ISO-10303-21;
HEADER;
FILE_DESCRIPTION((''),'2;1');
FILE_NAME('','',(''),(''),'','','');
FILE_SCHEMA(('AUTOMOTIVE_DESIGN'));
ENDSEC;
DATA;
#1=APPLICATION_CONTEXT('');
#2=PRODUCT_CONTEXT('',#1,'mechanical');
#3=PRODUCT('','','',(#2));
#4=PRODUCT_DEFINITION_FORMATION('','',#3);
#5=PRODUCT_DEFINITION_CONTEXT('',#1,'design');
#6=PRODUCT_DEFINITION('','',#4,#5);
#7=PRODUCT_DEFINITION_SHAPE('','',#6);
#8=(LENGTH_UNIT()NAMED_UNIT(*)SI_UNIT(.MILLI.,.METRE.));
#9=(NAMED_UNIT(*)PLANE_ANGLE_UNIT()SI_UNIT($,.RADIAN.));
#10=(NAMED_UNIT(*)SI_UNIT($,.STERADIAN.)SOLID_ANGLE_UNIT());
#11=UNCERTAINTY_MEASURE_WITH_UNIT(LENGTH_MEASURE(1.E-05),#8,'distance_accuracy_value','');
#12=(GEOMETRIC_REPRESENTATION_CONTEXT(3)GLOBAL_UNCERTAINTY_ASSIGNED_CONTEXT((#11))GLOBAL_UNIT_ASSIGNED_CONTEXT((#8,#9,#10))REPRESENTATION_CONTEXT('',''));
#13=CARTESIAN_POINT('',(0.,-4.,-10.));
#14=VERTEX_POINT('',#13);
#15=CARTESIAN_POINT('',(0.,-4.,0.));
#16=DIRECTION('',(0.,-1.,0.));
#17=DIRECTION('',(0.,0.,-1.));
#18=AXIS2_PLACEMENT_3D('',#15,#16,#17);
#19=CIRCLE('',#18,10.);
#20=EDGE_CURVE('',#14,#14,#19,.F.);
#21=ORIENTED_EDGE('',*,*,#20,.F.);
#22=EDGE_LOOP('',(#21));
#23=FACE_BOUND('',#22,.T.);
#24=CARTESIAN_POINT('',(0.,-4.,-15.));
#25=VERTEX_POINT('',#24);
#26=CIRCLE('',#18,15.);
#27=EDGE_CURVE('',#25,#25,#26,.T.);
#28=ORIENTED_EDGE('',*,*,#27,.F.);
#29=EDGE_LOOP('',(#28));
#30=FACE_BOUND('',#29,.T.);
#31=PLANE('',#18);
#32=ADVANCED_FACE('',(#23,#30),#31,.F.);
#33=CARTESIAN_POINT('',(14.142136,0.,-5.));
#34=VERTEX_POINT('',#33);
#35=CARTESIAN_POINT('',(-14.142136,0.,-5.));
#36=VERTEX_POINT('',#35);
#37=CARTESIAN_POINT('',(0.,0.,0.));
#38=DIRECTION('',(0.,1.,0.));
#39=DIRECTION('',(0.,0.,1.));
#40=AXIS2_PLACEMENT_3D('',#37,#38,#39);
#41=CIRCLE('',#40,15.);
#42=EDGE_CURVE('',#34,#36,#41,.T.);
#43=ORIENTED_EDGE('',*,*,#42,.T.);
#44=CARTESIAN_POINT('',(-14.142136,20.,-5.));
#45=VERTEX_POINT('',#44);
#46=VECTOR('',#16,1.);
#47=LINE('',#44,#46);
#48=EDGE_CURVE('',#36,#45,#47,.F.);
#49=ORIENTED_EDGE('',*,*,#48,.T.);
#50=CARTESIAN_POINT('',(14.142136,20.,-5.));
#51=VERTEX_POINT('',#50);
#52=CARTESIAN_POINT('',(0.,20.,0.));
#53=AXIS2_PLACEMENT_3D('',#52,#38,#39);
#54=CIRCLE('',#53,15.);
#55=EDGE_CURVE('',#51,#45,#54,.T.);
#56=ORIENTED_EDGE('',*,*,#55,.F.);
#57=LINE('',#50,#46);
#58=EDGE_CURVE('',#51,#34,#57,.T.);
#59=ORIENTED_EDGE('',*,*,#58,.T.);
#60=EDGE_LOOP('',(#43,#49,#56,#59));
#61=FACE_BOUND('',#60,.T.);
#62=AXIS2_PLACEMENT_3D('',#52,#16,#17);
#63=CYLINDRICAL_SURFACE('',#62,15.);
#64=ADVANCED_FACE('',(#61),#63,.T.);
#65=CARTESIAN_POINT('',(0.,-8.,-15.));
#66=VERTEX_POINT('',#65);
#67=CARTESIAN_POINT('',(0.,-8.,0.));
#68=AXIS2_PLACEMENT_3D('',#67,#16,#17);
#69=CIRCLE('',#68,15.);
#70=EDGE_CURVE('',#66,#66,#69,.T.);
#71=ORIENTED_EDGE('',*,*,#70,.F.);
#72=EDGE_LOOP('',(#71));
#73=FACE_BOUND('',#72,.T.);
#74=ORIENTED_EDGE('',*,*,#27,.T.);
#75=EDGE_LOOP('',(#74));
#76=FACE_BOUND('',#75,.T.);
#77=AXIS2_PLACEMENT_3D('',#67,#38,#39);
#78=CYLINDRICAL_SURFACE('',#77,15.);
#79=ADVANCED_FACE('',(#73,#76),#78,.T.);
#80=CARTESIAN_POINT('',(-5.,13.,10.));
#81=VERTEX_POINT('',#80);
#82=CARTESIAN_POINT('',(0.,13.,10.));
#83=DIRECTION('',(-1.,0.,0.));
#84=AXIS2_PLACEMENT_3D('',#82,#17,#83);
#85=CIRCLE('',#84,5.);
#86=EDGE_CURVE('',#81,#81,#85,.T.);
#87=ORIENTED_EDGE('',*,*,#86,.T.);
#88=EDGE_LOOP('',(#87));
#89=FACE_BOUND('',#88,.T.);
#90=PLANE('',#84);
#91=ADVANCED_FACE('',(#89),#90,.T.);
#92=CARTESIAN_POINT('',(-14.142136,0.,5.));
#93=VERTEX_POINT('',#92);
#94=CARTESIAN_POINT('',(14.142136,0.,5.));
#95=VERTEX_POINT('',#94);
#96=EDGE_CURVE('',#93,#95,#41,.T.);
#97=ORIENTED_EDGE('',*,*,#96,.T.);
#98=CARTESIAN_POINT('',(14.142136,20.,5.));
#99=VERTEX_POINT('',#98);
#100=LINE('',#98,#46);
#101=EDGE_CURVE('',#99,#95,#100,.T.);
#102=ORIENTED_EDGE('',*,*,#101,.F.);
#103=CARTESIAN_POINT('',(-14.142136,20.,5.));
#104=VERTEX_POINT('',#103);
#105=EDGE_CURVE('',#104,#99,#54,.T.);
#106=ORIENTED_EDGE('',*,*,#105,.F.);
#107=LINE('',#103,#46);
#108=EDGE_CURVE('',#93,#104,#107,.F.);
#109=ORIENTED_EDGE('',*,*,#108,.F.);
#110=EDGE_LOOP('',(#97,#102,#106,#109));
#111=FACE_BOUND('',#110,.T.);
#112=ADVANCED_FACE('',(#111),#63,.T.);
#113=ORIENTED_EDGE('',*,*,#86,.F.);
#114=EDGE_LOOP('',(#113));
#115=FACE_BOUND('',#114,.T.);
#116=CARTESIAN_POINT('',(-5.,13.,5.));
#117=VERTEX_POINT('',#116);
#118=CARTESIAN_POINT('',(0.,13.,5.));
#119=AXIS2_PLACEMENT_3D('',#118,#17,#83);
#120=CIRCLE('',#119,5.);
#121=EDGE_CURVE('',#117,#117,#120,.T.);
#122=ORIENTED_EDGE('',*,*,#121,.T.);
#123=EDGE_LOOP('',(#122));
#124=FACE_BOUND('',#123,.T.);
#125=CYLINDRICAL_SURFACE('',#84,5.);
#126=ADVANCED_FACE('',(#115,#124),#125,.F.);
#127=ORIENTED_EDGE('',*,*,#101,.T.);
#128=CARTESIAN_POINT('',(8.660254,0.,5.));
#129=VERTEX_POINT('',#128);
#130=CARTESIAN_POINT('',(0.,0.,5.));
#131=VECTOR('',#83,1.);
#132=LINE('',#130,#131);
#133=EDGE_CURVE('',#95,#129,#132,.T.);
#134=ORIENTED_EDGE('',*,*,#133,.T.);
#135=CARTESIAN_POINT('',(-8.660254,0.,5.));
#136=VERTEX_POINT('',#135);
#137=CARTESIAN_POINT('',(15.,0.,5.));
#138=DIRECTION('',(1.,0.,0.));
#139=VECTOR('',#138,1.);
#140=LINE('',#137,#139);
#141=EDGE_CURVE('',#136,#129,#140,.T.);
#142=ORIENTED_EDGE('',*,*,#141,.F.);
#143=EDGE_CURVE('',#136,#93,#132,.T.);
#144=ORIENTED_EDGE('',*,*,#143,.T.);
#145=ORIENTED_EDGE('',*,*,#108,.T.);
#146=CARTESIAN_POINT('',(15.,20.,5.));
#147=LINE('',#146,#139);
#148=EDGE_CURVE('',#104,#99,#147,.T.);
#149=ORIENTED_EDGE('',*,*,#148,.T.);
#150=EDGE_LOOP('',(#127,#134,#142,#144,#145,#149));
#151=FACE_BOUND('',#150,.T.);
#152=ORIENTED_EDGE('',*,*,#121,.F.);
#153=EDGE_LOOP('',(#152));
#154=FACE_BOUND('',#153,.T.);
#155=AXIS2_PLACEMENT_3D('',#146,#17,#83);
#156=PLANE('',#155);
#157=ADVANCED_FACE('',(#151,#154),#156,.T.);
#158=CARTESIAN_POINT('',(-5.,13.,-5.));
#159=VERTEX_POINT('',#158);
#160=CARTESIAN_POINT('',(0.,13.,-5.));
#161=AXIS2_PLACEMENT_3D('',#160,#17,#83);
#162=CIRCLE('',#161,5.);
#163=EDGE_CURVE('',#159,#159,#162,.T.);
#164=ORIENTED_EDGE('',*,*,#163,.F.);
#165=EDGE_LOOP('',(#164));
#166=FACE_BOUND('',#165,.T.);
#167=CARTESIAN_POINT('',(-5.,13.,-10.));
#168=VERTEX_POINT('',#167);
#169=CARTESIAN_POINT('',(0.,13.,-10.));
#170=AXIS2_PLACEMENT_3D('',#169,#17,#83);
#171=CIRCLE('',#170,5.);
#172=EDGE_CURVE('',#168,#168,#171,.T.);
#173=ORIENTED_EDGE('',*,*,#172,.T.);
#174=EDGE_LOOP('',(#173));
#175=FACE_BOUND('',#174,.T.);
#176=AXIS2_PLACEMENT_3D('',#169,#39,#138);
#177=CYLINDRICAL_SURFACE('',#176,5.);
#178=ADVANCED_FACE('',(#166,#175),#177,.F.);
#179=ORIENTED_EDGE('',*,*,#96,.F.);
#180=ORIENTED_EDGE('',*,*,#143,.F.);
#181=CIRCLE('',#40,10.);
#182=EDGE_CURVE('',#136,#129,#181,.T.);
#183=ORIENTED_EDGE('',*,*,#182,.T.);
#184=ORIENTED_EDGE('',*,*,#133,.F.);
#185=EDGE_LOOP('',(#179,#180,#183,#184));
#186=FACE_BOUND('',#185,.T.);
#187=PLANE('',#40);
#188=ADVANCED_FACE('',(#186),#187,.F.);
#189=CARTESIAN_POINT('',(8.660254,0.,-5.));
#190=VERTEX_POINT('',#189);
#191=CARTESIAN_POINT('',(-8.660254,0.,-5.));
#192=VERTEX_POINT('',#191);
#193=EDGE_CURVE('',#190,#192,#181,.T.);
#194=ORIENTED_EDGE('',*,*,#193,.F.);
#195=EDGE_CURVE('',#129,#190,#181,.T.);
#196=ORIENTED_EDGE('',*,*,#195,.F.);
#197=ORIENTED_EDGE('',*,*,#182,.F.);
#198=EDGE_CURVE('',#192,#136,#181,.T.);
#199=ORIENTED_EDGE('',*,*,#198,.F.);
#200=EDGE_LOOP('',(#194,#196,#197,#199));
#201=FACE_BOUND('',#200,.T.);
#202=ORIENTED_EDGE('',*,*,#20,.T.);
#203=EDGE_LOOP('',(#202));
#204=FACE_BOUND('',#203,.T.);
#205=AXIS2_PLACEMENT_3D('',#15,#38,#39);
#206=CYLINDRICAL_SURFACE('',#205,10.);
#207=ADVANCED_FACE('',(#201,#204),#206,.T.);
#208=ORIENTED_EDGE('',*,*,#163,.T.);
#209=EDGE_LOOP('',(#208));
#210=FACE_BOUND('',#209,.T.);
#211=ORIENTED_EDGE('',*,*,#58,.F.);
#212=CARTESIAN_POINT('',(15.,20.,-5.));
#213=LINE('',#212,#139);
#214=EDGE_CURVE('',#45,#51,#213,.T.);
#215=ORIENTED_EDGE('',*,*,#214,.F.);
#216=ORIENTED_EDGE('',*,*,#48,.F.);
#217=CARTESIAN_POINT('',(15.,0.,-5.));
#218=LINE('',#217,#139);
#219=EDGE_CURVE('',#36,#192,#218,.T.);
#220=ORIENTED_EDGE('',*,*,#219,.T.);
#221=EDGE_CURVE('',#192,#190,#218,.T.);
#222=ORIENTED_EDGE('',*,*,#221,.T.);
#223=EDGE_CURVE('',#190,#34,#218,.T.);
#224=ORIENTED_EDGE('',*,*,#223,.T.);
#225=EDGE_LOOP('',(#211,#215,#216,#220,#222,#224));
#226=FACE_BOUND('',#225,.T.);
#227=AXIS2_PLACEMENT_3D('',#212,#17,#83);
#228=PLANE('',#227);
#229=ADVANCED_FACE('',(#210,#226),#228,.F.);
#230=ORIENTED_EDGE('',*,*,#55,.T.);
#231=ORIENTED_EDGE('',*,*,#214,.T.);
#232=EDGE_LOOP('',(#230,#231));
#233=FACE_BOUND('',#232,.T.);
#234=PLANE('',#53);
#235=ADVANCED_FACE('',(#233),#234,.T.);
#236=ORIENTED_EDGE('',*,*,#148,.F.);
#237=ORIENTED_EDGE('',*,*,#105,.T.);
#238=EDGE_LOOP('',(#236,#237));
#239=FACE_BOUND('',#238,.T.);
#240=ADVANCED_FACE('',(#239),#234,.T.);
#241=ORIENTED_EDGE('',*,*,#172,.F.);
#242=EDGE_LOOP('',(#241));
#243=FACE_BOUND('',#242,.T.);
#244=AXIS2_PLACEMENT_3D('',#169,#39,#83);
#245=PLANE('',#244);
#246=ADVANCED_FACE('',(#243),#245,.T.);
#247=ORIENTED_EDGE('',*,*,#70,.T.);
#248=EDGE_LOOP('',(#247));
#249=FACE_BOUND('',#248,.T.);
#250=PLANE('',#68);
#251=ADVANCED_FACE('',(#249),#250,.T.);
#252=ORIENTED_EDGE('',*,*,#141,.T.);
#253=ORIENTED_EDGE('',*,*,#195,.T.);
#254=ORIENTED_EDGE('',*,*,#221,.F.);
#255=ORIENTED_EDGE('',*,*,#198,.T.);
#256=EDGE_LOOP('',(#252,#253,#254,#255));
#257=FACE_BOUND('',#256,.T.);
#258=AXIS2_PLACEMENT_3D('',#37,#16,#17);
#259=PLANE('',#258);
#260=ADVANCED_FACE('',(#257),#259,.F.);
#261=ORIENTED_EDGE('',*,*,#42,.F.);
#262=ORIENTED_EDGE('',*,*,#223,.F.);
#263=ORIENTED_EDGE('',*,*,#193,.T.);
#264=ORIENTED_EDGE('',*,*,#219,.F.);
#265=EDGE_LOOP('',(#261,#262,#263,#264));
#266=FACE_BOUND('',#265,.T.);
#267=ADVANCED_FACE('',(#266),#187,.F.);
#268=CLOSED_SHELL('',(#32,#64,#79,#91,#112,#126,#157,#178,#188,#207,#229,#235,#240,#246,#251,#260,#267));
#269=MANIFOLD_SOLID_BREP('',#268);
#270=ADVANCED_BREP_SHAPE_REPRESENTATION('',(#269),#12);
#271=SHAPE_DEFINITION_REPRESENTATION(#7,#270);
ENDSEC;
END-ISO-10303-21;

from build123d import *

# Parameters (mm, degrees)
SKETCH1_R           = 10
BOSS_EXTRUDE1_DEPTH = 4
SKETCH2_R           = 15
BOSS_EXTRUDE2_DEPTH = 4
BOSS_EXTRUDE3_START = 20
SKETCH3_R           = 15
BOSS_EXTRUDE3_DEPTH = 20
SKETCH6_W           = 30
SKETCH6_H           = 5
CUT_EXTRUDE2_DEPTH  = 30.154759474
SKETCH7_R           = 5
CUT_EXTRUDE5_DEPTH  = 5


with BuildPart() as part:
    # Sketch1 → Boss-Extrude1 (new body)
    with BuildSketch(Plane(origin=(0, 0, 0), x_dir=(1, 0, 0), z_dir=(0, 1, 0))):
        with Locations(Location((0, 0, 0), (0, 0, 270))):
            Circle(SKETCH1_R)
    extrude(amount=-BOSS_EXTRUDE1_DEPTH)

    # Sketch2 → Boss-Extrude2 (add)
    with BuildSketch(Plane.XZ.offset(4)):
        with Locations(Location((0, 0, 0), (0, 0, 270))):
            Circle(SKETCH2_R)
    extrude(amount=BOSS_EXTRUDE2_DEPTH)

    # Sketch3 → Boss-Extrude3 (add)
    with BuildSketch(Plane(origin=(0, 0, 0), x_dir=(1, 0, 0), z_dir=(0, 1, 0)).offset(BOSS_EXTRUDE3_START)):
        with Locations(Location((0, 0, 0), (0, 0, 90))):
            Circle(SKETCH3_R)
    extrude(amount=-BOSS_EXTRUDE3_DEPTH)

    # Sketch6 → Cut-Extrude2 (cut, through all)
    with BuildSketch(Plane(origin=(0, 0, 0), x_dir=(1, 0, 0), z_dir=(0, 1, 0))):
        with Locations((0, -2.5)):
            Rectangle(SKETCH6_W, SKETCH6_H)
    cut_extrude2 = extrude(amount=CUT_EXTRUDE2_DEPTH, mode=Mode.SUBTRACT)

    # Sketch7 → Cut-Extrude5 (cut)
    with BuildSketch(Plane(origin=(0, 0, 5), x_dir=(-1, 0, 0), z_dir=(0, 0, -1))):
        with Locations((0, 13)):
            Circle(SKETCH7_R)
    cut_extrude5 = extrude(amount=-CUT_EXTRUDE5_DEPTH, mode=Mode.SUBTRACT)

    # Mirror1: Cut-Extrude2, Cut-Extrude5 across plane
    add(cut_extrude2.mirror(Plane.XY), mode=Mode.SUBTRACT)
    add(cut_extrude5.mirror(Plane.XY), mode=Mode.SUBTRACT)


solid = part.part
